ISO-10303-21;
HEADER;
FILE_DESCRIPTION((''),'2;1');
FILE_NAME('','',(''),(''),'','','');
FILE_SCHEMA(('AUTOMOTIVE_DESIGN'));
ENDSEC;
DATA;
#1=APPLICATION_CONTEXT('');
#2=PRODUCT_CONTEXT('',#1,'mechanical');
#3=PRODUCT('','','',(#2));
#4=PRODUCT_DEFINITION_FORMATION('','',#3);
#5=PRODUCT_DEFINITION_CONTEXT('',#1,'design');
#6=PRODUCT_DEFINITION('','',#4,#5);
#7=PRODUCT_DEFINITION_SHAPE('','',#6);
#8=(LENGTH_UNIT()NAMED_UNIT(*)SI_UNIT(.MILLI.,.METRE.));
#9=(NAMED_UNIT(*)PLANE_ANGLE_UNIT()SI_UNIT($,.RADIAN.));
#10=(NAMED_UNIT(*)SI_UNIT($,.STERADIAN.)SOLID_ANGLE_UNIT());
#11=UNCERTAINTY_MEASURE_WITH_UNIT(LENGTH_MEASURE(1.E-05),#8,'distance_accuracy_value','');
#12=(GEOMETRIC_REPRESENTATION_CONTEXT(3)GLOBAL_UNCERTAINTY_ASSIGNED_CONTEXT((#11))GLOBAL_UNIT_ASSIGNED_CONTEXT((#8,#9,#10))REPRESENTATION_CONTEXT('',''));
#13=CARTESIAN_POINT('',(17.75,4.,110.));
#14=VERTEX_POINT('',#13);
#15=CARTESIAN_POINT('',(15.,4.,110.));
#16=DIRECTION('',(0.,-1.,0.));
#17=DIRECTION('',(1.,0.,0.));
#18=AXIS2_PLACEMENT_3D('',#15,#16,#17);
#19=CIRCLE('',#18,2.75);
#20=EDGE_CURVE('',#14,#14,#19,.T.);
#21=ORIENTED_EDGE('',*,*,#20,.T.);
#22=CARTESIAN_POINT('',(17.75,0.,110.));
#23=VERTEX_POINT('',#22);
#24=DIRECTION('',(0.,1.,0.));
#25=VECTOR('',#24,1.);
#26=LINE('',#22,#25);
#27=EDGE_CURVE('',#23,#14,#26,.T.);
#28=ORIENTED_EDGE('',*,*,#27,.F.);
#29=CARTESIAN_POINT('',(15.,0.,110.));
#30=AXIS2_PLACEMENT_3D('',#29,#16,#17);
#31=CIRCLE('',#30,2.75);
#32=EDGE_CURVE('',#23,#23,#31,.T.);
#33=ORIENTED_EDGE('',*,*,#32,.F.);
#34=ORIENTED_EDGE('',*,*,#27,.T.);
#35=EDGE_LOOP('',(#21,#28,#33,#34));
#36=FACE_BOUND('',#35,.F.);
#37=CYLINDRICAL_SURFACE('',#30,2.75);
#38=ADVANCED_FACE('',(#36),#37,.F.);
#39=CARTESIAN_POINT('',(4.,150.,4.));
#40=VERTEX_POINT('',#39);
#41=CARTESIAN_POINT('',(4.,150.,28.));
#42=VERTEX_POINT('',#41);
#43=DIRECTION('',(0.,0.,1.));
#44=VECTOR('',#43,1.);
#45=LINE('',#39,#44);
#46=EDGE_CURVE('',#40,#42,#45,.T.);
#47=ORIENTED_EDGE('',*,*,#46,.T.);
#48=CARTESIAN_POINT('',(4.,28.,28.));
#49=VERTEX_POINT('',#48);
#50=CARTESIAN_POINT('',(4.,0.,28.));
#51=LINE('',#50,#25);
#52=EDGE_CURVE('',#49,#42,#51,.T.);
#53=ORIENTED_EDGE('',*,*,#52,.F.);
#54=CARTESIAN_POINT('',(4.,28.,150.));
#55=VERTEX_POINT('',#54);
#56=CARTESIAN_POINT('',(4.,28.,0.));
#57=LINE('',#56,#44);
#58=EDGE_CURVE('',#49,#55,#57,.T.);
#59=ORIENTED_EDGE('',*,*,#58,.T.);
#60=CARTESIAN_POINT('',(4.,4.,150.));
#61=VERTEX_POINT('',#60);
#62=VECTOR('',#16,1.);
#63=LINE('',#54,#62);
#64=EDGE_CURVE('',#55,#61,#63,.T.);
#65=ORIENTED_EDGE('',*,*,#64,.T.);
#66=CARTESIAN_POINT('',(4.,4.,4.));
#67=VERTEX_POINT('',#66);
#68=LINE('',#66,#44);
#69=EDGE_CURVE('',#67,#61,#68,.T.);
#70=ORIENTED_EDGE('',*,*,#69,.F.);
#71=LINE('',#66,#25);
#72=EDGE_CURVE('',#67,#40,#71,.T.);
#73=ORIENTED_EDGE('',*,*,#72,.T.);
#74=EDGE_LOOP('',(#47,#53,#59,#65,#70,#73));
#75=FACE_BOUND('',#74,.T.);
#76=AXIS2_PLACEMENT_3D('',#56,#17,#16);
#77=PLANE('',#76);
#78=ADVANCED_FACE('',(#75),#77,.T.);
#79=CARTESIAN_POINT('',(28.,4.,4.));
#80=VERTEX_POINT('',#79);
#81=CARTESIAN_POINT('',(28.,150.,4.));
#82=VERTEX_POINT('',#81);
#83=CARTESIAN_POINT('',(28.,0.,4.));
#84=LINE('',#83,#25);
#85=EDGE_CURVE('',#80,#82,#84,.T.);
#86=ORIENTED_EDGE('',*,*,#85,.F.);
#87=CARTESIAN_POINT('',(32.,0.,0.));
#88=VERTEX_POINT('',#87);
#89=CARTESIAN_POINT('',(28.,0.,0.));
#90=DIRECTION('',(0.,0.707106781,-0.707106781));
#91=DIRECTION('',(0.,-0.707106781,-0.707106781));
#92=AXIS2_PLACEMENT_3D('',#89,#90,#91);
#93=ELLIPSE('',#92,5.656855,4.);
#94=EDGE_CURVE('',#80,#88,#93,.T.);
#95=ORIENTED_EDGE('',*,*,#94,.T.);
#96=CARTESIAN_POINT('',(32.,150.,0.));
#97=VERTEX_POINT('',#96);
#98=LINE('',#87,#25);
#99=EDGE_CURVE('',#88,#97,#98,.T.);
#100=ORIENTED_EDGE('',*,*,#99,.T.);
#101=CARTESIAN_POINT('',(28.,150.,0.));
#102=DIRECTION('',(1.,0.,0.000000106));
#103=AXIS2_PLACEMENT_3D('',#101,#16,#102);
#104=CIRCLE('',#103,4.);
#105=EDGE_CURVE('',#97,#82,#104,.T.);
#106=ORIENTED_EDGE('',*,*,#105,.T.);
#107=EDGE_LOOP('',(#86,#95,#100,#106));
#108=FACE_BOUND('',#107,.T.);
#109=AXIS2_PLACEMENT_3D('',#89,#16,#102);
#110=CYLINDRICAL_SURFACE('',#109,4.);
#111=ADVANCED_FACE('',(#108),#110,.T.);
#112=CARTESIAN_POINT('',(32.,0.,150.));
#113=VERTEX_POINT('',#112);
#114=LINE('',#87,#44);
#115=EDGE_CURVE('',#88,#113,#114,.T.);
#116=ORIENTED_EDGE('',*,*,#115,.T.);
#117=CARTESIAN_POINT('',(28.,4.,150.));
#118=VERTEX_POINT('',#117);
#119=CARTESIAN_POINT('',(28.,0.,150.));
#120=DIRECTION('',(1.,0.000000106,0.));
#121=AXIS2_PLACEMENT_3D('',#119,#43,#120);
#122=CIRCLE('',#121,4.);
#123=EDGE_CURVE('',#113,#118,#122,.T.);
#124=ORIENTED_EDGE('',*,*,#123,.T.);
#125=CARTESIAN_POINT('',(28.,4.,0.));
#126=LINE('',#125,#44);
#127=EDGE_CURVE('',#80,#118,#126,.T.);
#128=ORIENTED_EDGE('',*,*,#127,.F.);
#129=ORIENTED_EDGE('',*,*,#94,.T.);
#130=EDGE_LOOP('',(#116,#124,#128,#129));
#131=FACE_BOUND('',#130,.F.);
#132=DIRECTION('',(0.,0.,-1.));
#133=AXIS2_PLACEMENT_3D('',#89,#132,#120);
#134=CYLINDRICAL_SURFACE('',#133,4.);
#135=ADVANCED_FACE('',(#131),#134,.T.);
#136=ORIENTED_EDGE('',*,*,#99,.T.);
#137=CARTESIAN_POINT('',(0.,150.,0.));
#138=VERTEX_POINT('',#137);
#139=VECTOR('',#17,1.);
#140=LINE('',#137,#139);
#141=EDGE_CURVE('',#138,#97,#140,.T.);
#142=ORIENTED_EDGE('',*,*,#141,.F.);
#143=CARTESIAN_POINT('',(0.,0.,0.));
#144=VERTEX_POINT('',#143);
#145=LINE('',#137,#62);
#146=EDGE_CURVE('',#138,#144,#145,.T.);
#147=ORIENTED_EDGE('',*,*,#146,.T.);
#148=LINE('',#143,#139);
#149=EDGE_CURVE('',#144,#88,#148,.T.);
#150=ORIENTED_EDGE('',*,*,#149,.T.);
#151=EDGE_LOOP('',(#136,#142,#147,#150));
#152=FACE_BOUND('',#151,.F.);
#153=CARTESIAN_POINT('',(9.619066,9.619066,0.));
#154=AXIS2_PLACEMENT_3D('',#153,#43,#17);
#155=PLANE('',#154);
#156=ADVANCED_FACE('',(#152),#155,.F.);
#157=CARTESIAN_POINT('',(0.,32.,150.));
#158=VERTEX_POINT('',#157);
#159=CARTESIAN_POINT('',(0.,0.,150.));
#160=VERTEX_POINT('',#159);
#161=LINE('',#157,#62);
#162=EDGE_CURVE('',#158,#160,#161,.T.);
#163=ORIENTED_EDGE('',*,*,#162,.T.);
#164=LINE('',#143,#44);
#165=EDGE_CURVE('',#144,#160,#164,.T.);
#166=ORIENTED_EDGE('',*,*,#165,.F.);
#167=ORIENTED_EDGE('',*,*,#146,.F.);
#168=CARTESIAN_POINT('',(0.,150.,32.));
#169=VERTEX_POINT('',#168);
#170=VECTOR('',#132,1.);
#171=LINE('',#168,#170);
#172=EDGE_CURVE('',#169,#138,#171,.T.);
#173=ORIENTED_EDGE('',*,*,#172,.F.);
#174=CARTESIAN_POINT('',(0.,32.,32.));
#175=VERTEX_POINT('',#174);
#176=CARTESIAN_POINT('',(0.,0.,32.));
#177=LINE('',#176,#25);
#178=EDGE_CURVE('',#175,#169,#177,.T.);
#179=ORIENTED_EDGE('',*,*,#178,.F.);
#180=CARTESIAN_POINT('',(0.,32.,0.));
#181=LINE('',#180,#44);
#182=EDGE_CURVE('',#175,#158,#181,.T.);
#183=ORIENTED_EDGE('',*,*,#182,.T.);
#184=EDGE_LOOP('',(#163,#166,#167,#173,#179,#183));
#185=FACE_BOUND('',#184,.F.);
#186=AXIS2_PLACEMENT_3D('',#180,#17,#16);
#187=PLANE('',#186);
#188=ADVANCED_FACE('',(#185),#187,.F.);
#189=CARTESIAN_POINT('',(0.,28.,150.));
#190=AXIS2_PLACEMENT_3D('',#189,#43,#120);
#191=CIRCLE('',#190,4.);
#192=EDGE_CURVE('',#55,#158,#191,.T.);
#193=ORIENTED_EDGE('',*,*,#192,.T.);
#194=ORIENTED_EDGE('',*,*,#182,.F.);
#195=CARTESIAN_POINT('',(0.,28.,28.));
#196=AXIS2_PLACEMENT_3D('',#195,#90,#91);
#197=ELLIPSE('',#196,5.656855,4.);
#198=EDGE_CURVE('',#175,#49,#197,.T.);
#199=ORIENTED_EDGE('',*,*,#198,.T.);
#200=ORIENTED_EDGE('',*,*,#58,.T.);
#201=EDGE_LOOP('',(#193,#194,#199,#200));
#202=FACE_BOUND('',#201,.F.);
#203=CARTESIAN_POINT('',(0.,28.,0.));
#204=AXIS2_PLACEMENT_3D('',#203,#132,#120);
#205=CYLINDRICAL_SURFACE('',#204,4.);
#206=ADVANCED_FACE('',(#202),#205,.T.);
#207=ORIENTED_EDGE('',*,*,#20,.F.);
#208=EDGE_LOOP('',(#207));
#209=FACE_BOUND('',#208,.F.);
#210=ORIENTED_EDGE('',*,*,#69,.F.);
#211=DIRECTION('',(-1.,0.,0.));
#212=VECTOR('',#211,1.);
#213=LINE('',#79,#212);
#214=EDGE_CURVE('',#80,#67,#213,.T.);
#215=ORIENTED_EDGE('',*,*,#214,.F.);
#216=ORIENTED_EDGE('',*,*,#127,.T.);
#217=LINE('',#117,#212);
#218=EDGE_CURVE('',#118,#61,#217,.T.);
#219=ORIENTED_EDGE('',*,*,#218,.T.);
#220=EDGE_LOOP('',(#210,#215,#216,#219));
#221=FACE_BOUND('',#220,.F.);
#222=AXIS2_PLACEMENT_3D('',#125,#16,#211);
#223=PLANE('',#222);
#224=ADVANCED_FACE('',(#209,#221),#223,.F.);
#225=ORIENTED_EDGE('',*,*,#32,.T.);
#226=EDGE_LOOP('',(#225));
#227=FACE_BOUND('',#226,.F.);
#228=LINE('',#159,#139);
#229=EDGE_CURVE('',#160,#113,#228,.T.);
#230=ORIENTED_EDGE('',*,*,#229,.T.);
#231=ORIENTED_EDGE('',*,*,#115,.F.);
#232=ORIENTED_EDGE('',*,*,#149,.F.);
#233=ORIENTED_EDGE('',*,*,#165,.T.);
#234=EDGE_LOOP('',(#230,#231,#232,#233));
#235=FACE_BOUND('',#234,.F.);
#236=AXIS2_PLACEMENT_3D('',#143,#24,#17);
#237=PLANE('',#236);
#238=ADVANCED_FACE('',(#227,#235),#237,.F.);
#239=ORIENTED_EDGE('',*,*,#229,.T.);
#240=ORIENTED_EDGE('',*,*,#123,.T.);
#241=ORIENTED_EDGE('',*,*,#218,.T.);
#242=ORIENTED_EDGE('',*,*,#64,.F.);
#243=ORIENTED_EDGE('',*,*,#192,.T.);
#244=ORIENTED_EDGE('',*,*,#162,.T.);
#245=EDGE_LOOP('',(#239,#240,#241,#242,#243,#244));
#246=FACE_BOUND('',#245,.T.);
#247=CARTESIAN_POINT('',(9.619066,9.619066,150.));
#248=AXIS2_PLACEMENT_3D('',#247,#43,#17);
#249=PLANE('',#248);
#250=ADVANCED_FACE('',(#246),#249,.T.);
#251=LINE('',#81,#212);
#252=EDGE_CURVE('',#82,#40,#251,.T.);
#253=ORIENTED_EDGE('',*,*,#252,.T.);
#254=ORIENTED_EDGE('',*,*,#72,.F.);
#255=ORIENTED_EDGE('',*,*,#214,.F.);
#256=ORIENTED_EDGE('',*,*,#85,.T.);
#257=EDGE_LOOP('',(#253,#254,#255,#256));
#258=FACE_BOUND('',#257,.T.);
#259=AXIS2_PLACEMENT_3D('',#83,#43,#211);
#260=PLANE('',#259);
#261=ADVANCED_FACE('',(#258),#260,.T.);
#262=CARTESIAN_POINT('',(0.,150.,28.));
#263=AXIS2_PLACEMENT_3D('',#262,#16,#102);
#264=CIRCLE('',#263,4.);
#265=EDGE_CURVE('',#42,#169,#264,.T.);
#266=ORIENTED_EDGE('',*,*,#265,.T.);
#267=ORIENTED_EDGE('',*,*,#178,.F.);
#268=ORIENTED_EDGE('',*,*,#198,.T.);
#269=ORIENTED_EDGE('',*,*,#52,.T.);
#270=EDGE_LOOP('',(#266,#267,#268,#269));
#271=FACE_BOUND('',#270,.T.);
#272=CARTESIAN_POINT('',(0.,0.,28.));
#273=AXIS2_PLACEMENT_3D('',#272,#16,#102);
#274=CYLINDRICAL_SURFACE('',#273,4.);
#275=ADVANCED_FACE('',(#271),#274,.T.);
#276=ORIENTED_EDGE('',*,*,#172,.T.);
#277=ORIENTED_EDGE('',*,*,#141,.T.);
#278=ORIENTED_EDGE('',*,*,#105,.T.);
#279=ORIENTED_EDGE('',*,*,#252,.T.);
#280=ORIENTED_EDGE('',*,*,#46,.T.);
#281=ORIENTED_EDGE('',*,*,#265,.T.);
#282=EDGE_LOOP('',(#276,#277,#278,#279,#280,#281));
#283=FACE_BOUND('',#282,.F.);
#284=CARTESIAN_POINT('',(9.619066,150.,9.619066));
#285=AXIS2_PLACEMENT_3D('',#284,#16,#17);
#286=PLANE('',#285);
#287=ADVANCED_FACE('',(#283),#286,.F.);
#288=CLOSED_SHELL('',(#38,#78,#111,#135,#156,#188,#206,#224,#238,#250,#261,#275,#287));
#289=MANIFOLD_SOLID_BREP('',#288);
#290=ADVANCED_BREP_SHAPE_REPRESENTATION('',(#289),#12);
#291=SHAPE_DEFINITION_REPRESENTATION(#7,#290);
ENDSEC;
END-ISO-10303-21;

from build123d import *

# Parameters (mm, degrees)
PAD001_DEPTH = 150
PAD002_DEPTH = 150
SKETCH011_R  = 2.75
POCKET_DEPTH = 150.001


with BuildPart() as part:
    # Sketch001 → Pad001 (new body)
    with BuildSketch(Plane.XY):
        with BuildLine():
            Line((0, 32), (0, 0))
            Line((0, 0), (32, 0))
            ThreePointArc((32, 0), (30.828427, 2.828427), (28, 4))
            Line((28, 4), (4, 4))
            Line((4, 28), (4, 4))
            ThreePointArc((4, 28), (2.828427, 30.828427), (0, 32))
        make_face()
    extrude(amount=PAD001_DEPTH)

    # Sketch002 (on Face3 of Pad001) → Pad002 (new body)
    with BuildSketch(Plane.XZ):
        with BuildLine():
            Line((0, 32), (0, 0))
            Line((0, 0), (32, 0))
            ThreePointArc((32, 0), (30.828427, 2.828427), (28, 4))
            Line((28, 4), (4, 4))
            Line((4, 4), (4, 28))
            ThreePointArc((4, 28), (2.828427, 30.828427), (0, 32))
        make_face()
    extrude(amount=-PAD002_DEPTH)

    # Sketch011 (on Face9 of Pad002) → Pocket (cut, through all)
    with BuildSketch(Plane.XZ):
        with Locations((15, 110)):
            Circle(SKETCH011_R)
    extrude(amount=-POCKET_DEPTH, mode=Mode.SUBTRACT)


solid = part.part
